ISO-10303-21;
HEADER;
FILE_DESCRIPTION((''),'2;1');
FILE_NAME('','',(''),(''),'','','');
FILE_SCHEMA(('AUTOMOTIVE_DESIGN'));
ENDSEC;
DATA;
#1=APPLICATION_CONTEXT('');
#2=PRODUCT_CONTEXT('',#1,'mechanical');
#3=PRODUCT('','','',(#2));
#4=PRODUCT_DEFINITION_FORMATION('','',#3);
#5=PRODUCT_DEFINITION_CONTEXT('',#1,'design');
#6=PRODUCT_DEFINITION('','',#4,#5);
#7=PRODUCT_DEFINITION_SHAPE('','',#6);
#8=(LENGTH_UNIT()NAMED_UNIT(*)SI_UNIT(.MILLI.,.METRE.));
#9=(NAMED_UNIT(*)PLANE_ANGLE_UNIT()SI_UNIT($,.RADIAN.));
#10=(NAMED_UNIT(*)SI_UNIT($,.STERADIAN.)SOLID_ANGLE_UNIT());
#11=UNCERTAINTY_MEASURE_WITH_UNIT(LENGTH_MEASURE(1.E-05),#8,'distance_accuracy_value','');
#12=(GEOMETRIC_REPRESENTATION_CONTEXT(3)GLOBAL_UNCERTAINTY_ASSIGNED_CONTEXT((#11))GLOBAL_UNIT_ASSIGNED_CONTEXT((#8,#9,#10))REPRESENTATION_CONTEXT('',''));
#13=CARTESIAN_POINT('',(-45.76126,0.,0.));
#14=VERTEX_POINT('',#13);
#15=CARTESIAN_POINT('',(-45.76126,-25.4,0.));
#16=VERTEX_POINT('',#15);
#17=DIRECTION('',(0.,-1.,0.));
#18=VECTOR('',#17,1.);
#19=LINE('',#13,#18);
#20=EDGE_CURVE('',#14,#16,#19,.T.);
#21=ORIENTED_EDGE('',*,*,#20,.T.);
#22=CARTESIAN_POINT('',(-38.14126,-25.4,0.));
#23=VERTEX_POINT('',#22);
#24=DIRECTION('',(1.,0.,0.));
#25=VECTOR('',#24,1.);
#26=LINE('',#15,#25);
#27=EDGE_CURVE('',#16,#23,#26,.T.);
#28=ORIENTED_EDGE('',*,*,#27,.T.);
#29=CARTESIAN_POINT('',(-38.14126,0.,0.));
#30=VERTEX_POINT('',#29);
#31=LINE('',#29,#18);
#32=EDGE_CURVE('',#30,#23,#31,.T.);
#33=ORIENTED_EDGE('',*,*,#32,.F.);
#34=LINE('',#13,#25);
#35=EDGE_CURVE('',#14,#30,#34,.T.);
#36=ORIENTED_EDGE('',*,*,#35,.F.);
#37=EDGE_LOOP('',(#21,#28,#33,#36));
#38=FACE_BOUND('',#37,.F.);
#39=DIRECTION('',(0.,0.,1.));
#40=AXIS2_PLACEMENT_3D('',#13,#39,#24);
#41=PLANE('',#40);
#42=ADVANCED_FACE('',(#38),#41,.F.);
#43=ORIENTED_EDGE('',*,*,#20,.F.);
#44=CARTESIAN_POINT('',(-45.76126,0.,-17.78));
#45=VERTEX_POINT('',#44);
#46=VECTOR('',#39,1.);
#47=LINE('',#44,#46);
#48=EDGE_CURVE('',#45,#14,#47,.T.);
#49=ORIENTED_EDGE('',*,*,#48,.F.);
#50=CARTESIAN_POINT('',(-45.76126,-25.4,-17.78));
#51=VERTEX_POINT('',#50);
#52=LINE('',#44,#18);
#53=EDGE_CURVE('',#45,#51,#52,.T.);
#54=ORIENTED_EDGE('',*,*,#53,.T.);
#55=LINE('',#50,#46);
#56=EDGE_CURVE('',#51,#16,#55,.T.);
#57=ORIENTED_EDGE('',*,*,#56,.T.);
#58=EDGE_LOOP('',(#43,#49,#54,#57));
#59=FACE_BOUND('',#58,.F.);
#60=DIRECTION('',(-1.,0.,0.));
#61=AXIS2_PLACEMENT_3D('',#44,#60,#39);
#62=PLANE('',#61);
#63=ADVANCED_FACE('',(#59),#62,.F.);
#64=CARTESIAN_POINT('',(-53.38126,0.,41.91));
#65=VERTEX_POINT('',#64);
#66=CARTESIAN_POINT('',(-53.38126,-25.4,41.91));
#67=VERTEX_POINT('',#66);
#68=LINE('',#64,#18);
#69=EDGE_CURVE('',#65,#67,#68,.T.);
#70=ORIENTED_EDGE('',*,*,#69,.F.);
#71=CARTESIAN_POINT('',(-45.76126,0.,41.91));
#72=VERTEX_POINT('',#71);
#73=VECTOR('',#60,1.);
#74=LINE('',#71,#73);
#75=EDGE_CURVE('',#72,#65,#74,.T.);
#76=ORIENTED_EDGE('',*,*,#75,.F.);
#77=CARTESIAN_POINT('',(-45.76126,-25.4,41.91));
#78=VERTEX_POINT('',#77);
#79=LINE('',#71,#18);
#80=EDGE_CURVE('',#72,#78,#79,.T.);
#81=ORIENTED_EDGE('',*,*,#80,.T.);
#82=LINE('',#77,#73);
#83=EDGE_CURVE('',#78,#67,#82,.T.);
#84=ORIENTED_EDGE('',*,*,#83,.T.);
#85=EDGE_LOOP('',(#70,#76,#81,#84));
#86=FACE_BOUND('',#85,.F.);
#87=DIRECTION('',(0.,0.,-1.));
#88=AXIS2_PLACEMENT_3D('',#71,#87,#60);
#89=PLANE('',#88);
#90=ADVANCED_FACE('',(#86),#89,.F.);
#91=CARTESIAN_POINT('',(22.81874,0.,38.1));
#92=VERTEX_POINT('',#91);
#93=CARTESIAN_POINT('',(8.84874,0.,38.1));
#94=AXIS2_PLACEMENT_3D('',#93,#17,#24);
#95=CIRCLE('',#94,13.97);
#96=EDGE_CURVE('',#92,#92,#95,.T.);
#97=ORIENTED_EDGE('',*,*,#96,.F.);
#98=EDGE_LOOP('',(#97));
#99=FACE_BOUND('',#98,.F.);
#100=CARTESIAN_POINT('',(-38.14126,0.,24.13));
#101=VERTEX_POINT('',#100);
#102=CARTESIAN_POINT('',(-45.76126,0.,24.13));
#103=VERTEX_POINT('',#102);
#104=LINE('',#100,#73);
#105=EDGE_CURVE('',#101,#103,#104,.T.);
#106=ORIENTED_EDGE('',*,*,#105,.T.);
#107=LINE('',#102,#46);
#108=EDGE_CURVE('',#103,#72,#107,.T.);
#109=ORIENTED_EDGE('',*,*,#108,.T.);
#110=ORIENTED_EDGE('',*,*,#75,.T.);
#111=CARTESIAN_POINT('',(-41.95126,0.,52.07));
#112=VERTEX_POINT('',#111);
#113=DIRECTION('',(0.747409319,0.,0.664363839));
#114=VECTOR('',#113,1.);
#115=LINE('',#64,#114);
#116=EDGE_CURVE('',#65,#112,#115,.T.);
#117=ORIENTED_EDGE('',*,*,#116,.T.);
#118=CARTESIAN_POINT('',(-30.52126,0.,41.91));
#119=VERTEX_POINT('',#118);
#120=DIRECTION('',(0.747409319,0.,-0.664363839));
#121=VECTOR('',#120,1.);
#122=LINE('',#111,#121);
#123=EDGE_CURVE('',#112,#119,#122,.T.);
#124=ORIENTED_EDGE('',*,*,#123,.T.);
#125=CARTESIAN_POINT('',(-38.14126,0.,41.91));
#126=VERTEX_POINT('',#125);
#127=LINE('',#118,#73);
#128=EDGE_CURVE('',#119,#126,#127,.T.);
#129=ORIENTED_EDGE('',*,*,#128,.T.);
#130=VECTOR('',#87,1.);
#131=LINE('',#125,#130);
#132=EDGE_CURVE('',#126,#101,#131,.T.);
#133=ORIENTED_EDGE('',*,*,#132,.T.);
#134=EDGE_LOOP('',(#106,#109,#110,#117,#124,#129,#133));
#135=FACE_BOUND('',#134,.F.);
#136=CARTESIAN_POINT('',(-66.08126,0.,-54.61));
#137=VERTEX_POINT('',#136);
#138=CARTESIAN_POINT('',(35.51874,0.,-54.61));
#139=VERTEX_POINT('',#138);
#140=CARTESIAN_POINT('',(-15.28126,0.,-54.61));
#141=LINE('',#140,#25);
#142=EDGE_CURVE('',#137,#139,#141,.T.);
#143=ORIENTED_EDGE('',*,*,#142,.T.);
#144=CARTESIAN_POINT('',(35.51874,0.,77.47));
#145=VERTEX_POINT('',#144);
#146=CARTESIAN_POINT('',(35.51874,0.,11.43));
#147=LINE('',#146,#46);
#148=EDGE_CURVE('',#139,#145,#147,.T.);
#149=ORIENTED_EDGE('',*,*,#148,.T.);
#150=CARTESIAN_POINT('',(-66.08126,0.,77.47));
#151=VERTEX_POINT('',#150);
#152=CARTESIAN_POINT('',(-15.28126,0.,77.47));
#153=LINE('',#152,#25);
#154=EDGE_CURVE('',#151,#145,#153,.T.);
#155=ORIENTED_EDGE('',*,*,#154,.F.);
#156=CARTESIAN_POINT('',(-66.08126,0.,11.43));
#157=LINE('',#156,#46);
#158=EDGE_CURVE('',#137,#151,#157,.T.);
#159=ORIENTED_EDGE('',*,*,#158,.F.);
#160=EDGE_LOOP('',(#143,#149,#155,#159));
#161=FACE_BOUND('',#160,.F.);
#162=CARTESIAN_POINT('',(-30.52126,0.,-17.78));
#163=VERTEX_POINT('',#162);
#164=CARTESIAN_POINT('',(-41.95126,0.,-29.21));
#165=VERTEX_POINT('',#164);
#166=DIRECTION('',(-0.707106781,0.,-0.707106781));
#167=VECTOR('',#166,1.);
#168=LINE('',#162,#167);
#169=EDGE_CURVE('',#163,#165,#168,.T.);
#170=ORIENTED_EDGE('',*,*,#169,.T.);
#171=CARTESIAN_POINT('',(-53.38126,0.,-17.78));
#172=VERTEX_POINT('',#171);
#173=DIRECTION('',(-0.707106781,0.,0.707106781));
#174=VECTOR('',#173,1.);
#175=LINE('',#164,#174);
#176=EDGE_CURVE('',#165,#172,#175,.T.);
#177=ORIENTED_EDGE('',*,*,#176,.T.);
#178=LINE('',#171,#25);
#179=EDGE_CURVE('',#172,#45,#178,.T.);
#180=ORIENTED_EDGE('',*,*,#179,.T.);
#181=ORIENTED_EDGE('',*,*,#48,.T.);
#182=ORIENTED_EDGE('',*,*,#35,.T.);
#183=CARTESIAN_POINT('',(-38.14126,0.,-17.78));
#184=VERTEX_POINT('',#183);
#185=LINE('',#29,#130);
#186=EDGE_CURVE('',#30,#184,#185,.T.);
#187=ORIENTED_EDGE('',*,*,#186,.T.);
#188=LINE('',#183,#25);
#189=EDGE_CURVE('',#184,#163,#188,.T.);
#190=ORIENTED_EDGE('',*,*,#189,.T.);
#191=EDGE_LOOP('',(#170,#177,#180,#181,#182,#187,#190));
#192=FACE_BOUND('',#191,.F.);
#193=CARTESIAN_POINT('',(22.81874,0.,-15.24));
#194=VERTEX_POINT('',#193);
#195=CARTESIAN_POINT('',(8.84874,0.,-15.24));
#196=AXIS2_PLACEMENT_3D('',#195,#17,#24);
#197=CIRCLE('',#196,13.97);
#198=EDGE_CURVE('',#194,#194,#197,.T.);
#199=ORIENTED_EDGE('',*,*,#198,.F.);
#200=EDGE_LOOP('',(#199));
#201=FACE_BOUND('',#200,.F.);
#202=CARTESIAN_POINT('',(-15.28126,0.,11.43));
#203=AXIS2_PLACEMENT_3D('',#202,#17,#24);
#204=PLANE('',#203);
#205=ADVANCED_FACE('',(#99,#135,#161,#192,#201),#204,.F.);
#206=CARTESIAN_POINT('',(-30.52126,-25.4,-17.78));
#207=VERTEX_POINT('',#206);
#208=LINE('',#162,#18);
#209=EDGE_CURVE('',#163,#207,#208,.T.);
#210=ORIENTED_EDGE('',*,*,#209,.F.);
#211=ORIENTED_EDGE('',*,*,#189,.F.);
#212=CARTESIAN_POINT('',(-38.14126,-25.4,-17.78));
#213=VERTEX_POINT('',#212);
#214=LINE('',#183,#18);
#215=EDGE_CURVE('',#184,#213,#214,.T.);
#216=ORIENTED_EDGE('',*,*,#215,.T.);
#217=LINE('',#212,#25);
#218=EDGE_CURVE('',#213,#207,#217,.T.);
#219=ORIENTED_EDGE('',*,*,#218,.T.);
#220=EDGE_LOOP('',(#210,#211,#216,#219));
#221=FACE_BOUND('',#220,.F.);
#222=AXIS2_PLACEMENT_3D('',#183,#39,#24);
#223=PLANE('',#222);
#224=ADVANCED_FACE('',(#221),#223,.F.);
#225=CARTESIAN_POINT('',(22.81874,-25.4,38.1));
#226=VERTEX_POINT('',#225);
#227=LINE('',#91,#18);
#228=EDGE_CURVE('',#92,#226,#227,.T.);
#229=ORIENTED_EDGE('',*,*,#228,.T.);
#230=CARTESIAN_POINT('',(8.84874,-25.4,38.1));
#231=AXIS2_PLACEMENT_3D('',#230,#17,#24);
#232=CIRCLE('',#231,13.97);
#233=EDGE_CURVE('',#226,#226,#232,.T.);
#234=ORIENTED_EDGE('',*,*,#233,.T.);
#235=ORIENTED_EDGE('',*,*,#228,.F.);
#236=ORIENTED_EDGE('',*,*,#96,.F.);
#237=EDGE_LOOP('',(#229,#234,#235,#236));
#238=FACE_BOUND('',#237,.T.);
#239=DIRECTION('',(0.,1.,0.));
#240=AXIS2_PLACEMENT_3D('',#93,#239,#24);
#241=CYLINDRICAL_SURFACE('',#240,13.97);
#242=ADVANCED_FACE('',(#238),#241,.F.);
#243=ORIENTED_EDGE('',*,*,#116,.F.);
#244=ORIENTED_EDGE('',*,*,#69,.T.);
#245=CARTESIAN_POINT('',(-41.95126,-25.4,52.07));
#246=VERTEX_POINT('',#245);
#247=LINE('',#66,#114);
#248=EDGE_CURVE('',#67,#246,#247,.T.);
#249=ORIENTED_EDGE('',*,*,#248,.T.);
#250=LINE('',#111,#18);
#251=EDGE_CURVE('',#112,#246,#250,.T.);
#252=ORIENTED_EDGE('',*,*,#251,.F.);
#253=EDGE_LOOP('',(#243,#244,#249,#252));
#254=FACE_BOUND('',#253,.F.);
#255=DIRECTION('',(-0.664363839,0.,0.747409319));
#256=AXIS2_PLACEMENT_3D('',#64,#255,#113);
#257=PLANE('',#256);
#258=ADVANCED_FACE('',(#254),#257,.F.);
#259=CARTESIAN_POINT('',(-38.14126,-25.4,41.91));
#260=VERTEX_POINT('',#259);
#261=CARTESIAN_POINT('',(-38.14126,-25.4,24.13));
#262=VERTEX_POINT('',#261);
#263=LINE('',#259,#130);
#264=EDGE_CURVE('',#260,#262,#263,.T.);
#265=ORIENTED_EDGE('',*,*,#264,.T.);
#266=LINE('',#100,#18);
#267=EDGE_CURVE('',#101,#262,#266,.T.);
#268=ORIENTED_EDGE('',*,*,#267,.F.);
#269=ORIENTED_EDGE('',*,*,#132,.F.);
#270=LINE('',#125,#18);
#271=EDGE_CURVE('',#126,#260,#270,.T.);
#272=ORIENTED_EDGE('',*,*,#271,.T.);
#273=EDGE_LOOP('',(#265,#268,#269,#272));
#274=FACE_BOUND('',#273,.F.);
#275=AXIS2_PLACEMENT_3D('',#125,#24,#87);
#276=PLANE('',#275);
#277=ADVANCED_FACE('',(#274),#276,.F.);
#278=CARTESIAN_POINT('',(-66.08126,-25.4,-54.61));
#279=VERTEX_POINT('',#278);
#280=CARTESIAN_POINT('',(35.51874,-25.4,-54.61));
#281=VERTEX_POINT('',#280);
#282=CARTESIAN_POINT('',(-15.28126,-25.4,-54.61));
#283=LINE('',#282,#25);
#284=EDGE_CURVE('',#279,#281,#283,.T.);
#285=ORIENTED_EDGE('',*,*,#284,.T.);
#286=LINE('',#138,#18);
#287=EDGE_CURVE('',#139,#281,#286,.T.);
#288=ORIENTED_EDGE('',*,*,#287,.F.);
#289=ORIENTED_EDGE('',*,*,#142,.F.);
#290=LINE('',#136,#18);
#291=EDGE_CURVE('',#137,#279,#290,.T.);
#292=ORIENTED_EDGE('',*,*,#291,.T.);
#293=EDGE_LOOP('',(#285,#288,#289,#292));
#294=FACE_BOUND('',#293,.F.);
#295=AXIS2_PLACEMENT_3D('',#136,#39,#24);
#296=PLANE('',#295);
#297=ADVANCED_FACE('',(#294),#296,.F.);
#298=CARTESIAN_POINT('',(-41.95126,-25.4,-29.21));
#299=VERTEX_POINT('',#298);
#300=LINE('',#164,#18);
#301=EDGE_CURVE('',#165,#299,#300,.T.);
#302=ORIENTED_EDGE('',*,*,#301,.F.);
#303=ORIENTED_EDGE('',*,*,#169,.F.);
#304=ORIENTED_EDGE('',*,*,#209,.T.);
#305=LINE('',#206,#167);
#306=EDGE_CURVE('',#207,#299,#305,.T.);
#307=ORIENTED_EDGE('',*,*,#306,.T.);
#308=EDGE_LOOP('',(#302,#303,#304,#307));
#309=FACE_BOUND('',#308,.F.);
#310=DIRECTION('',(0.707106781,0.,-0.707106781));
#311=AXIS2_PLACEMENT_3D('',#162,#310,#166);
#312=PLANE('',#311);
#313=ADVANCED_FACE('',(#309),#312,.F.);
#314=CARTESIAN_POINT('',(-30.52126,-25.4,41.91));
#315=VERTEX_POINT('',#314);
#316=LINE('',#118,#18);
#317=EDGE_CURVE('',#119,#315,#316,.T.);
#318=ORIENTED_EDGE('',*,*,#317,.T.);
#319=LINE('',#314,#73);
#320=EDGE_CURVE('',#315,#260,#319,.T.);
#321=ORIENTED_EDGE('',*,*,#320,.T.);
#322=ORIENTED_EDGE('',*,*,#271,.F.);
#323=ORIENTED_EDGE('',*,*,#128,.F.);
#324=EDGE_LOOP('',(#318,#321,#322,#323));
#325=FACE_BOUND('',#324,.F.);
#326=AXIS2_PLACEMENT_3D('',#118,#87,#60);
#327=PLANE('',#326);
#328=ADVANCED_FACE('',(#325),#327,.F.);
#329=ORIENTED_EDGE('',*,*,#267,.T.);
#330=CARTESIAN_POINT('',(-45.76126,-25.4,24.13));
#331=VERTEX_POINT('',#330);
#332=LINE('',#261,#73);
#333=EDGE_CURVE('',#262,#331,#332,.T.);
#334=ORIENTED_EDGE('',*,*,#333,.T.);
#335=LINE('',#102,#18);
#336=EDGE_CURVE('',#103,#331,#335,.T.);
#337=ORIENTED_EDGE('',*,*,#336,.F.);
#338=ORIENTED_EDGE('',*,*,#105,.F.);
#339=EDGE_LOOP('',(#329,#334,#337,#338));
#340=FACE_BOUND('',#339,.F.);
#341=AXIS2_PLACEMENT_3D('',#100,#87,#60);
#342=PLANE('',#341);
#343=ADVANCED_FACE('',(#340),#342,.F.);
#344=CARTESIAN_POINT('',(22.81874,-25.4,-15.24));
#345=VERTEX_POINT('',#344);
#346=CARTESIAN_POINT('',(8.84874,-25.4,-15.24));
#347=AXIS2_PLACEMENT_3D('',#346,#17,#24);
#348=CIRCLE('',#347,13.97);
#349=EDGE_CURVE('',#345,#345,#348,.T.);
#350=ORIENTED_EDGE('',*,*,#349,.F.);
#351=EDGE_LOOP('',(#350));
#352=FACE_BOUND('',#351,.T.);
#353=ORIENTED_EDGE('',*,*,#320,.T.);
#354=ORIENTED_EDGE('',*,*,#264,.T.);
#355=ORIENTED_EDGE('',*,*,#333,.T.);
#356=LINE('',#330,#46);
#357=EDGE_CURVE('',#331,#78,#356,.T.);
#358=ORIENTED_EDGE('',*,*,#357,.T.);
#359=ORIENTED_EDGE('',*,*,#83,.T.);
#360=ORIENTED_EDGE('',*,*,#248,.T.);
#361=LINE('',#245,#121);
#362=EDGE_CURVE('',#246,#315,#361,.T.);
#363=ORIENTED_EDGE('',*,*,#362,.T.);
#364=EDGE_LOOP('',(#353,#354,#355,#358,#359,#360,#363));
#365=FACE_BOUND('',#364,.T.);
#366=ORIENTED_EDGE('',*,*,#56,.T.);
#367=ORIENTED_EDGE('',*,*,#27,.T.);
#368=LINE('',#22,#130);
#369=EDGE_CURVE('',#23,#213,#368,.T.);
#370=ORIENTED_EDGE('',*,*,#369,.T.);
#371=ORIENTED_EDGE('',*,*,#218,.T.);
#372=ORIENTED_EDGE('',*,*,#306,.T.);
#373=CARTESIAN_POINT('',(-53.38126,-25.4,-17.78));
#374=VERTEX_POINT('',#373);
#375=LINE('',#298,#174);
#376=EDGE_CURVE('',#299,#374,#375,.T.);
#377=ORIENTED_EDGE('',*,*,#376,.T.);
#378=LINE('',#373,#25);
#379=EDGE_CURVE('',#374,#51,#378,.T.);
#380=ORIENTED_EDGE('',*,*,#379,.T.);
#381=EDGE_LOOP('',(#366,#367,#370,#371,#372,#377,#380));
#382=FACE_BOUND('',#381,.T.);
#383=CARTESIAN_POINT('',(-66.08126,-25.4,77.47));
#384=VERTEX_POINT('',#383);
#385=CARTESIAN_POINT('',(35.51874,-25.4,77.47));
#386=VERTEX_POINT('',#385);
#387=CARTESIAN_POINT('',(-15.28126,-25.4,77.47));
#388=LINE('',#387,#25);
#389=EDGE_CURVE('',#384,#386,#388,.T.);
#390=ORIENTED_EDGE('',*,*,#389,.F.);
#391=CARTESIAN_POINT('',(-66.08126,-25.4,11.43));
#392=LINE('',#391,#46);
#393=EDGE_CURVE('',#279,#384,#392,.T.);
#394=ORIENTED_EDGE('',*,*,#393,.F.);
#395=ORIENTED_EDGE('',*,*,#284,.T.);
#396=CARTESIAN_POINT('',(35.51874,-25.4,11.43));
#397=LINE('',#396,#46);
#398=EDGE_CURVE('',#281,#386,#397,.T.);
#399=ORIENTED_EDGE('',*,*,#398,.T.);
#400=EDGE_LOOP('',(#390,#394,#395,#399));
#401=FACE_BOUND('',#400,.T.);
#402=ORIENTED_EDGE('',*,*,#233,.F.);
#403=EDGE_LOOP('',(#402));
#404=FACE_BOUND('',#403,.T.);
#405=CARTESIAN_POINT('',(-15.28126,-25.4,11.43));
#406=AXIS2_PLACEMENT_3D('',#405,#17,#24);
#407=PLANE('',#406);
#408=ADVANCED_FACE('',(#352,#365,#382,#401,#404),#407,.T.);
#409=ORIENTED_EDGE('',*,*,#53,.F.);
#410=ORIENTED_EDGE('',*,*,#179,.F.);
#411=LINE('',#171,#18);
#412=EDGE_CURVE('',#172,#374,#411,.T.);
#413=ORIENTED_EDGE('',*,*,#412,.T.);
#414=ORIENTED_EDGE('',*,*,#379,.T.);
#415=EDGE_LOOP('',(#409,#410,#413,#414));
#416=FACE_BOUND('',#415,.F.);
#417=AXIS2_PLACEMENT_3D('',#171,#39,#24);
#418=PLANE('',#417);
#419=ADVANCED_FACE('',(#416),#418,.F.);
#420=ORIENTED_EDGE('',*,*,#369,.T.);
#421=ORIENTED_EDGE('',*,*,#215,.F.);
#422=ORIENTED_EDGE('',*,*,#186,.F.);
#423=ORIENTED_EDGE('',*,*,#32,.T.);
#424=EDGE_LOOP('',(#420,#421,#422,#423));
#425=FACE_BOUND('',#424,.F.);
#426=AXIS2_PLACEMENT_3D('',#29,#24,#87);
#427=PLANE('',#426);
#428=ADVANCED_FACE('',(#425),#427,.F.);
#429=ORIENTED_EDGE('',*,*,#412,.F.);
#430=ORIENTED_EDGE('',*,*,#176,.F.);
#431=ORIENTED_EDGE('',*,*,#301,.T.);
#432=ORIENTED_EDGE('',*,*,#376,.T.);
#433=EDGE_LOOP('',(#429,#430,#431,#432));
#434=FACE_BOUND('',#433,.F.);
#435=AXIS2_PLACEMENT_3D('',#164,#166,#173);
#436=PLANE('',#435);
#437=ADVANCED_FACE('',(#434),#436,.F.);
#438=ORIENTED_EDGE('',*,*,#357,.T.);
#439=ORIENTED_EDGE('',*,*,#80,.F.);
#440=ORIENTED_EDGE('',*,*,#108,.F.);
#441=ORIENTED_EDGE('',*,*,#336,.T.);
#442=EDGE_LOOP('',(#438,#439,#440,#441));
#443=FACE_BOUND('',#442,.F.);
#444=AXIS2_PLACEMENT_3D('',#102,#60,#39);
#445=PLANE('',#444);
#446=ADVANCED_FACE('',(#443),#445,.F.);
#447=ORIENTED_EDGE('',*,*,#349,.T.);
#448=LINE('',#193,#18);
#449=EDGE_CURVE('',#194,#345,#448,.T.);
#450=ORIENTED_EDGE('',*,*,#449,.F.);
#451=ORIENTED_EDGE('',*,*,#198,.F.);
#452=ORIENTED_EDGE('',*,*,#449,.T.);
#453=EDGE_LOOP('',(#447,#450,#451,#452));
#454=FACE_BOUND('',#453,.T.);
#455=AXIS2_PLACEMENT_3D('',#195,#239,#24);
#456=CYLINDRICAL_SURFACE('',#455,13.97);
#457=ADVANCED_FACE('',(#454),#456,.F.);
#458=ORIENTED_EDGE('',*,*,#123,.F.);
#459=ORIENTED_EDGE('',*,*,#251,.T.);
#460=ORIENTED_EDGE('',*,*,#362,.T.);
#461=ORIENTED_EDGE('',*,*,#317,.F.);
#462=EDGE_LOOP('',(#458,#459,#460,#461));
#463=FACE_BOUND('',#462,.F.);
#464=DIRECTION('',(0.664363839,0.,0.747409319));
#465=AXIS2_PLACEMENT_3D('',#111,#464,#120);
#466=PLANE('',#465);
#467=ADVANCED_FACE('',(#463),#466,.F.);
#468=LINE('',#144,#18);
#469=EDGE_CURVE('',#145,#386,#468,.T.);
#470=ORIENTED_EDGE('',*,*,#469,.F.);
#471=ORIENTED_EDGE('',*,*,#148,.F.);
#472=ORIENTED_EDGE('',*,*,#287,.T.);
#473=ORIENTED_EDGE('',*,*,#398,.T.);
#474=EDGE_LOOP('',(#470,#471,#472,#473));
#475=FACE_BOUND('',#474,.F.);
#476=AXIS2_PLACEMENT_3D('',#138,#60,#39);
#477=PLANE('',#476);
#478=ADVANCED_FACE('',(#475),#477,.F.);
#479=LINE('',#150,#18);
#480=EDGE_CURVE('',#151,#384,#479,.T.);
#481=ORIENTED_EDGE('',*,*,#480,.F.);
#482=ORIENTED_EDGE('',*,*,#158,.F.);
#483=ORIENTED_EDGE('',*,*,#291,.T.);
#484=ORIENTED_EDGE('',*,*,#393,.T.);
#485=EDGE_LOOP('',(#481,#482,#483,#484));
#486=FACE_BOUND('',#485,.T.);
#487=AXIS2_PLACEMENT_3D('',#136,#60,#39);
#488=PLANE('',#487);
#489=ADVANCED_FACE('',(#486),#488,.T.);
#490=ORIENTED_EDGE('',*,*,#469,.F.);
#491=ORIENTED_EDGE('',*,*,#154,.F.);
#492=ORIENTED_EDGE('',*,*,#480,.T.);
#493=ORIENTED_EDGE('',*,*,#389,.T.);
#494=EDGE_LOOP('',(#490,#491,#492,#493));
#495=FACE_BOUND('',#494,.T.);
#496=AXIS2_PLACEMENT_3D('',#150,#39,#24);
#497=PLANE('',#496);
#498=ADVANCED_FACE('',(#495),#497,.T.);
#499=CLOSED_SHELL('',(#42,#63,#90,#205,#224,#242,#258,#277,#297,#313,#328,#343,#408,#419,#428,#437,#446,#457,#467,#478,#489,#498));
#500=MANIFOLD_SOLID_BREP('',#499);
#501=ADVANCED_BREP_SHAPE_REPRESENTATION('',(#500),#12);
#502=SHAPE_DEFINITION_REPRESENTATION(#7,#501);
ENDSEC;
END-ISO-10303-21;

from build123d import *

# Parameters (mm, degrees)
F0_W     = 101.6
F0_H     = 132.08
F0_R     = 13.97
F1_DEPTH = 25.4


with BuildPart() as f1:
    # F0 (on Front) → F1 (new body)
    with BuildSketch(Plane.XZ):
        with Locations((-15.28126, 11.43)):
            Rectangle(F0_W, F0_H)
        Polygon((-41.95126, -29.21), (-53.38126, -17.78), (-45.76126, -17.78), (-45.76126, 0), (-38.14126, 0), (-38.14126, -17.78), (-30.52126, -17.78), align=None, mode=Mode.SUBTRACT)
        with Locations((8.84874, -15.24)):
            Circle(F0_R, mode=Mode.SUBTRACT)
        Polygon((-53.38126, 41.91), (-41.95126, 52.07), (-30.52126, 41.91), (-38.14126, 41.91), (-38.14126, 24.13), (-45.76126, 24.13), (-45.76126, 41.91), align=None, mode=Mode.SUBTRACT)
        with Locations((8.84874, 38.1)):
            Circle(F0_R, mode=Mode.SUBTRACT)
    extrude(amount=F1_DEPTH)


solid = f1.part
